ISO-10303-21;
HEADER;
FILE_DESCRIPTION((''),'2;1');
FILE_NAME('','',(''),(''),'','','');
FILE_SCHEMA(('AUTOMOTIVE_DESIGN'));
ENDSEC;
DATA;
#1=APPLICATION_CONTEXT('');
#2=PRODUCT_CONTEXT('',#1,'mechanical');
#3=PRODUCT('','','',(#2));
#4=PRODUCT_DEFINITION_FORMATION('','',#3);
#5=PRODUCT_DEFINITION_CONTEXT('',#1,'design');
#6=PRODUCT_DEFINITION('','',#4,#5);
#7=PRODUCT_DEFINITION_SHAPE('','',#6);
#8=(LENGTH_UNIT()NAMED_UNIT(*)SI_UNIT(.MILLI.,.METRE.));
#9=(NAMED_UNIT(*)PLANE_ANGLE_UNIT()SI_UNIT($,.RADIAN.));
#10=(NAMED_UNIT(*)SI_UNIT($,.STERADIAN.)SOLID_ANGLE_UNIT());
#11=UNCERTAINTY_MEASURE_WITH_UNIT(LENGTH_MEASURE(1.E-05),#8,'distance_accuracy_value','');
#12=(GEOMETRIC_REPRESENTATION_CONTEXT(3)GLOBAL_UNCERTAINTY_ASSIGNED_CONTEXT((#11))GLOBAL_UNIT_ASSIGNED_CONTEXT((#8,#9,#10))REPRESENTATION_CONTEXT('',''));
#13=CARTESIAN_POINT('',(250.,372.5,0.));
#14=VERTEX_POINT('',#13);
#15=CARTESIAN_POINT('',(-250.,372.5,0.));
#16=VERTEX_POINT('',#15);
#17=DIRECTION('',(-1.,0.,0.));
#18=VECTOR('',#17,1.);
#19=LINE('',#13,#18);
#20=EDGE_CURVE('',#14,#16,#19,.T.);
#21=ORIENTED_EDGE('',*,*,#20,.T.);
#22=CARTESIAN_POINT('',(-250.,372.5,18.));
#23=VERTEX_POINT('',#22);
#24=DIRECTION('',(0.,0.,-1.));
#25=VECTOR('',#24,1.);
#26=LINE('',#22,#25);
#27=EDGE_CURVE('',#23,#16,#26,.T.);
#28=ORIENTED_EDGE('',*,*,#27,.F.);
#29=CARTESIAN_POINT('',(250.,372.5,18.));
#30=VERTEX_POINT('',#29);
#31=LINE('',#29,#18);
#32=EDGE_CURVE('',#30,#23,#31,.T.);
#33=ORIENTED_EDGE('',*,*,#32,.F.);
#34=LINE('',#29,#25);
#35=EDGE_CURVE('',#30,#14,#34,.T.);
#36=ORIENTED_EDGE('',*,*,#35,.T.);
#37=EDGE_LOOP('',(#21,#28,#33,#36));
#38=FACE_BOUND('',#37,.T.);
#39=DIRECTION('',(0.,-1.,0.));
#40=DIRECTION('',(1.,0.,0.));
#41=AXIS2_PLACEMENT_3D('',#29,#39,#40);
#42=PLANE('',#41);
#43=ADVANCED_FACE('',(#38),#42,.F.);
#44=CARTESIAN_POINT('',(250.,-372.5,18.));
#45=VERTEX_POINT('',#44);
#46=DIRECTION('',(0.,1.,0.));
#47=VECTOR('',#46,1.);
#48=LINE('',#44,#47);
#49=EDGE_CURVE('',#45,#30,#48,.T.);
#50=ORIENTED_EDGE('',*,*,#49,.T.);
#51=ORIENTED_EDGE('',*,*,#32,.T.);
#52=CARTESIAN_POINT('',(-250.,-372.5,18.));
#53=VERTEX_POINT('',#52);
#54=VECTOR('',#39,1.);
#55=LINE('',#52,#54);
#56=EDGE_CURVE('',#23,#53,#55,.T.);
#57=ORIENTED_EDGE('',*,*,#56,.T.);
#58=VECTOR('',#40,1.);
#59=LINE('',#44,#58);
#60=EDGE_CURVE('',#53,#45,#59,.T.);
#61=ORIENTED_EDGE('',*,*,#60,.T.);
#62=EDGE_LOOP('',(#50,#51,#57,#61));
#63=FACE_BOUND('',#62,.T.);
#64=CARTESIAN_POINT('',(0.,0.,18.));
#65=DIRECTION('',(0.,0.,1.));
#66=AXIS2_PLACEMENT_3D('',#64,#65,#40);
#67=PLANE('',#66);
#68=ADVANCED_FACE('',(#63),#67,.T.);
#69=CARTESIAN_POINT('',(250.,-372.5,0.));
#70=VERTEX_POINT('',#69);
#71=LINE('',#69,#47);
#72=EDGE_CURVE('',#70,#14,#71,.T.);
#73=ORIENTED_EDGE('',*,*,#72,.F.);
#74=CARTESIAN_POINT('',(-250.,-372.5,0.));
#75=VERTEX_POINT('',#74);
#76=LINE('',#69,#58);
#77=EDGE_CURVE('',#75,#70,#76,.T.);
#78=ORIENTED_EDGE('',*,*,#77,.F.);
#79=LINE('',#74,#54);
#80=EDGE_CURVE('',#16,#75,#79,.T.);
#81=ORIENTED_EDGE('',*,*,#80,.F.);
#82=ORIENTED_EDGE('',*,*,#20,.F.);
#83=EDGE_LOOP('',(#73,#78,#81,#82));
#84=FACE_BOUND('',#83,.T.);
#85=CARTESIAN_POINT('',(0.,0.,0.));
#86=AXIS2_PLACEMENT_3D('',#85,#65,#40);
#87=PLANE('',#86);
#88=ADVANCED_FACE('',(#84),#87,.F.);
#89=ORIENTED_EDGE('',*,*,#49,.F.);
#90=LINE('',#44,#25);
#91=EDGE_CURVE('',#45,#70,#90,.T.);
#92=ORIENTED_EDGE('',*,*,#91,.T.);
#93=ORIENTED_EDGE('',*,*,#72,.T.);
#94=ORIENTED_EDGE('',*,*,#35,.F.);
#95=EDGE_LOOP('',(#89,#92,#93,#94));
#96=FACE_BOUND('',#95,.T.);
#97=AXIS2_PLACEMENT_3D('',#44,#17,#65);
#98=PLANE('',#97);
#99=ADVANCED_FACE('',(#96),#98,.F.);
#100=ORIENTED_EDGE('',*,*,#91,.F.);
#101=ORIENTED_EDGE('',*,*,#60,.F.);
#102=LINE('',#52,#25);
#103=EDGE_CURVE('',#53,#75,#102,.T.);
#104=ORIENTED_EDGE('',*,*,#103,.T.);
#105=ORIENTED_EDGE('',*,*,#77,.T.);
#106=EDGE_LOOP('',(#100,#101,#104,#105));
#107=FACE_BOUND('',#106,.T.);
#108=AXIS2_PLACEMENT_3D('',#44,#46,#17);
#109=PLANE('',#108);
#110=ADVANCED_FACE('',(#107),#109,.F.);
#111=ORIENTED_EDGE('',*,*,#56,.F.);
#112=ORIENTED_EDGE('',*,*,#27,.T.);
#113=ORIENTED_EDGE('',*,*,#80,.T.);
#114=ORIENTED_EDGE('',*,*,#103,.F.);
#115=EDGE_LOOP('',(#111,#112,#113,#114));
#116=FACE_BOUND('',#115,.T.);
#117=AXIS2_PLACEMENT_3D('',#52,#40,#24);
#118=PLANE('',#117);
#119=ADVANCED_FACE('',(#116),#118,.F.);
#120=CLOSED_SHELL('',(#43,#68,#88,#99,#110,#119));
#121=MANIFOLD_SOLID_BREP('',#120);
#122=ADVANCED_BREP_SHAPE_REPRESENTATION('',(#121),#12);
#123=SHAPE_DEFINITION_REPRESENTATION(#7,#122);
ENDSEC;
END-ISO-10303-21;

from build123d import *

# Parameters (mm, degrees)
SKETCH1_W           = 500
SKETCH1_H           = 745
BOSS_EXTRUDE1_DEPTH = 18


with BuildPart() as part:
    # Sketch1 → Boss-Extrude1 (new body)
    with BuildSketch(Plane.XY):
        Rectangle(SKETCH1_W, SKETCH1_H)
    extrude(amount=BOSS_EXTRUDE1_DEPTH)


solid = part.part
